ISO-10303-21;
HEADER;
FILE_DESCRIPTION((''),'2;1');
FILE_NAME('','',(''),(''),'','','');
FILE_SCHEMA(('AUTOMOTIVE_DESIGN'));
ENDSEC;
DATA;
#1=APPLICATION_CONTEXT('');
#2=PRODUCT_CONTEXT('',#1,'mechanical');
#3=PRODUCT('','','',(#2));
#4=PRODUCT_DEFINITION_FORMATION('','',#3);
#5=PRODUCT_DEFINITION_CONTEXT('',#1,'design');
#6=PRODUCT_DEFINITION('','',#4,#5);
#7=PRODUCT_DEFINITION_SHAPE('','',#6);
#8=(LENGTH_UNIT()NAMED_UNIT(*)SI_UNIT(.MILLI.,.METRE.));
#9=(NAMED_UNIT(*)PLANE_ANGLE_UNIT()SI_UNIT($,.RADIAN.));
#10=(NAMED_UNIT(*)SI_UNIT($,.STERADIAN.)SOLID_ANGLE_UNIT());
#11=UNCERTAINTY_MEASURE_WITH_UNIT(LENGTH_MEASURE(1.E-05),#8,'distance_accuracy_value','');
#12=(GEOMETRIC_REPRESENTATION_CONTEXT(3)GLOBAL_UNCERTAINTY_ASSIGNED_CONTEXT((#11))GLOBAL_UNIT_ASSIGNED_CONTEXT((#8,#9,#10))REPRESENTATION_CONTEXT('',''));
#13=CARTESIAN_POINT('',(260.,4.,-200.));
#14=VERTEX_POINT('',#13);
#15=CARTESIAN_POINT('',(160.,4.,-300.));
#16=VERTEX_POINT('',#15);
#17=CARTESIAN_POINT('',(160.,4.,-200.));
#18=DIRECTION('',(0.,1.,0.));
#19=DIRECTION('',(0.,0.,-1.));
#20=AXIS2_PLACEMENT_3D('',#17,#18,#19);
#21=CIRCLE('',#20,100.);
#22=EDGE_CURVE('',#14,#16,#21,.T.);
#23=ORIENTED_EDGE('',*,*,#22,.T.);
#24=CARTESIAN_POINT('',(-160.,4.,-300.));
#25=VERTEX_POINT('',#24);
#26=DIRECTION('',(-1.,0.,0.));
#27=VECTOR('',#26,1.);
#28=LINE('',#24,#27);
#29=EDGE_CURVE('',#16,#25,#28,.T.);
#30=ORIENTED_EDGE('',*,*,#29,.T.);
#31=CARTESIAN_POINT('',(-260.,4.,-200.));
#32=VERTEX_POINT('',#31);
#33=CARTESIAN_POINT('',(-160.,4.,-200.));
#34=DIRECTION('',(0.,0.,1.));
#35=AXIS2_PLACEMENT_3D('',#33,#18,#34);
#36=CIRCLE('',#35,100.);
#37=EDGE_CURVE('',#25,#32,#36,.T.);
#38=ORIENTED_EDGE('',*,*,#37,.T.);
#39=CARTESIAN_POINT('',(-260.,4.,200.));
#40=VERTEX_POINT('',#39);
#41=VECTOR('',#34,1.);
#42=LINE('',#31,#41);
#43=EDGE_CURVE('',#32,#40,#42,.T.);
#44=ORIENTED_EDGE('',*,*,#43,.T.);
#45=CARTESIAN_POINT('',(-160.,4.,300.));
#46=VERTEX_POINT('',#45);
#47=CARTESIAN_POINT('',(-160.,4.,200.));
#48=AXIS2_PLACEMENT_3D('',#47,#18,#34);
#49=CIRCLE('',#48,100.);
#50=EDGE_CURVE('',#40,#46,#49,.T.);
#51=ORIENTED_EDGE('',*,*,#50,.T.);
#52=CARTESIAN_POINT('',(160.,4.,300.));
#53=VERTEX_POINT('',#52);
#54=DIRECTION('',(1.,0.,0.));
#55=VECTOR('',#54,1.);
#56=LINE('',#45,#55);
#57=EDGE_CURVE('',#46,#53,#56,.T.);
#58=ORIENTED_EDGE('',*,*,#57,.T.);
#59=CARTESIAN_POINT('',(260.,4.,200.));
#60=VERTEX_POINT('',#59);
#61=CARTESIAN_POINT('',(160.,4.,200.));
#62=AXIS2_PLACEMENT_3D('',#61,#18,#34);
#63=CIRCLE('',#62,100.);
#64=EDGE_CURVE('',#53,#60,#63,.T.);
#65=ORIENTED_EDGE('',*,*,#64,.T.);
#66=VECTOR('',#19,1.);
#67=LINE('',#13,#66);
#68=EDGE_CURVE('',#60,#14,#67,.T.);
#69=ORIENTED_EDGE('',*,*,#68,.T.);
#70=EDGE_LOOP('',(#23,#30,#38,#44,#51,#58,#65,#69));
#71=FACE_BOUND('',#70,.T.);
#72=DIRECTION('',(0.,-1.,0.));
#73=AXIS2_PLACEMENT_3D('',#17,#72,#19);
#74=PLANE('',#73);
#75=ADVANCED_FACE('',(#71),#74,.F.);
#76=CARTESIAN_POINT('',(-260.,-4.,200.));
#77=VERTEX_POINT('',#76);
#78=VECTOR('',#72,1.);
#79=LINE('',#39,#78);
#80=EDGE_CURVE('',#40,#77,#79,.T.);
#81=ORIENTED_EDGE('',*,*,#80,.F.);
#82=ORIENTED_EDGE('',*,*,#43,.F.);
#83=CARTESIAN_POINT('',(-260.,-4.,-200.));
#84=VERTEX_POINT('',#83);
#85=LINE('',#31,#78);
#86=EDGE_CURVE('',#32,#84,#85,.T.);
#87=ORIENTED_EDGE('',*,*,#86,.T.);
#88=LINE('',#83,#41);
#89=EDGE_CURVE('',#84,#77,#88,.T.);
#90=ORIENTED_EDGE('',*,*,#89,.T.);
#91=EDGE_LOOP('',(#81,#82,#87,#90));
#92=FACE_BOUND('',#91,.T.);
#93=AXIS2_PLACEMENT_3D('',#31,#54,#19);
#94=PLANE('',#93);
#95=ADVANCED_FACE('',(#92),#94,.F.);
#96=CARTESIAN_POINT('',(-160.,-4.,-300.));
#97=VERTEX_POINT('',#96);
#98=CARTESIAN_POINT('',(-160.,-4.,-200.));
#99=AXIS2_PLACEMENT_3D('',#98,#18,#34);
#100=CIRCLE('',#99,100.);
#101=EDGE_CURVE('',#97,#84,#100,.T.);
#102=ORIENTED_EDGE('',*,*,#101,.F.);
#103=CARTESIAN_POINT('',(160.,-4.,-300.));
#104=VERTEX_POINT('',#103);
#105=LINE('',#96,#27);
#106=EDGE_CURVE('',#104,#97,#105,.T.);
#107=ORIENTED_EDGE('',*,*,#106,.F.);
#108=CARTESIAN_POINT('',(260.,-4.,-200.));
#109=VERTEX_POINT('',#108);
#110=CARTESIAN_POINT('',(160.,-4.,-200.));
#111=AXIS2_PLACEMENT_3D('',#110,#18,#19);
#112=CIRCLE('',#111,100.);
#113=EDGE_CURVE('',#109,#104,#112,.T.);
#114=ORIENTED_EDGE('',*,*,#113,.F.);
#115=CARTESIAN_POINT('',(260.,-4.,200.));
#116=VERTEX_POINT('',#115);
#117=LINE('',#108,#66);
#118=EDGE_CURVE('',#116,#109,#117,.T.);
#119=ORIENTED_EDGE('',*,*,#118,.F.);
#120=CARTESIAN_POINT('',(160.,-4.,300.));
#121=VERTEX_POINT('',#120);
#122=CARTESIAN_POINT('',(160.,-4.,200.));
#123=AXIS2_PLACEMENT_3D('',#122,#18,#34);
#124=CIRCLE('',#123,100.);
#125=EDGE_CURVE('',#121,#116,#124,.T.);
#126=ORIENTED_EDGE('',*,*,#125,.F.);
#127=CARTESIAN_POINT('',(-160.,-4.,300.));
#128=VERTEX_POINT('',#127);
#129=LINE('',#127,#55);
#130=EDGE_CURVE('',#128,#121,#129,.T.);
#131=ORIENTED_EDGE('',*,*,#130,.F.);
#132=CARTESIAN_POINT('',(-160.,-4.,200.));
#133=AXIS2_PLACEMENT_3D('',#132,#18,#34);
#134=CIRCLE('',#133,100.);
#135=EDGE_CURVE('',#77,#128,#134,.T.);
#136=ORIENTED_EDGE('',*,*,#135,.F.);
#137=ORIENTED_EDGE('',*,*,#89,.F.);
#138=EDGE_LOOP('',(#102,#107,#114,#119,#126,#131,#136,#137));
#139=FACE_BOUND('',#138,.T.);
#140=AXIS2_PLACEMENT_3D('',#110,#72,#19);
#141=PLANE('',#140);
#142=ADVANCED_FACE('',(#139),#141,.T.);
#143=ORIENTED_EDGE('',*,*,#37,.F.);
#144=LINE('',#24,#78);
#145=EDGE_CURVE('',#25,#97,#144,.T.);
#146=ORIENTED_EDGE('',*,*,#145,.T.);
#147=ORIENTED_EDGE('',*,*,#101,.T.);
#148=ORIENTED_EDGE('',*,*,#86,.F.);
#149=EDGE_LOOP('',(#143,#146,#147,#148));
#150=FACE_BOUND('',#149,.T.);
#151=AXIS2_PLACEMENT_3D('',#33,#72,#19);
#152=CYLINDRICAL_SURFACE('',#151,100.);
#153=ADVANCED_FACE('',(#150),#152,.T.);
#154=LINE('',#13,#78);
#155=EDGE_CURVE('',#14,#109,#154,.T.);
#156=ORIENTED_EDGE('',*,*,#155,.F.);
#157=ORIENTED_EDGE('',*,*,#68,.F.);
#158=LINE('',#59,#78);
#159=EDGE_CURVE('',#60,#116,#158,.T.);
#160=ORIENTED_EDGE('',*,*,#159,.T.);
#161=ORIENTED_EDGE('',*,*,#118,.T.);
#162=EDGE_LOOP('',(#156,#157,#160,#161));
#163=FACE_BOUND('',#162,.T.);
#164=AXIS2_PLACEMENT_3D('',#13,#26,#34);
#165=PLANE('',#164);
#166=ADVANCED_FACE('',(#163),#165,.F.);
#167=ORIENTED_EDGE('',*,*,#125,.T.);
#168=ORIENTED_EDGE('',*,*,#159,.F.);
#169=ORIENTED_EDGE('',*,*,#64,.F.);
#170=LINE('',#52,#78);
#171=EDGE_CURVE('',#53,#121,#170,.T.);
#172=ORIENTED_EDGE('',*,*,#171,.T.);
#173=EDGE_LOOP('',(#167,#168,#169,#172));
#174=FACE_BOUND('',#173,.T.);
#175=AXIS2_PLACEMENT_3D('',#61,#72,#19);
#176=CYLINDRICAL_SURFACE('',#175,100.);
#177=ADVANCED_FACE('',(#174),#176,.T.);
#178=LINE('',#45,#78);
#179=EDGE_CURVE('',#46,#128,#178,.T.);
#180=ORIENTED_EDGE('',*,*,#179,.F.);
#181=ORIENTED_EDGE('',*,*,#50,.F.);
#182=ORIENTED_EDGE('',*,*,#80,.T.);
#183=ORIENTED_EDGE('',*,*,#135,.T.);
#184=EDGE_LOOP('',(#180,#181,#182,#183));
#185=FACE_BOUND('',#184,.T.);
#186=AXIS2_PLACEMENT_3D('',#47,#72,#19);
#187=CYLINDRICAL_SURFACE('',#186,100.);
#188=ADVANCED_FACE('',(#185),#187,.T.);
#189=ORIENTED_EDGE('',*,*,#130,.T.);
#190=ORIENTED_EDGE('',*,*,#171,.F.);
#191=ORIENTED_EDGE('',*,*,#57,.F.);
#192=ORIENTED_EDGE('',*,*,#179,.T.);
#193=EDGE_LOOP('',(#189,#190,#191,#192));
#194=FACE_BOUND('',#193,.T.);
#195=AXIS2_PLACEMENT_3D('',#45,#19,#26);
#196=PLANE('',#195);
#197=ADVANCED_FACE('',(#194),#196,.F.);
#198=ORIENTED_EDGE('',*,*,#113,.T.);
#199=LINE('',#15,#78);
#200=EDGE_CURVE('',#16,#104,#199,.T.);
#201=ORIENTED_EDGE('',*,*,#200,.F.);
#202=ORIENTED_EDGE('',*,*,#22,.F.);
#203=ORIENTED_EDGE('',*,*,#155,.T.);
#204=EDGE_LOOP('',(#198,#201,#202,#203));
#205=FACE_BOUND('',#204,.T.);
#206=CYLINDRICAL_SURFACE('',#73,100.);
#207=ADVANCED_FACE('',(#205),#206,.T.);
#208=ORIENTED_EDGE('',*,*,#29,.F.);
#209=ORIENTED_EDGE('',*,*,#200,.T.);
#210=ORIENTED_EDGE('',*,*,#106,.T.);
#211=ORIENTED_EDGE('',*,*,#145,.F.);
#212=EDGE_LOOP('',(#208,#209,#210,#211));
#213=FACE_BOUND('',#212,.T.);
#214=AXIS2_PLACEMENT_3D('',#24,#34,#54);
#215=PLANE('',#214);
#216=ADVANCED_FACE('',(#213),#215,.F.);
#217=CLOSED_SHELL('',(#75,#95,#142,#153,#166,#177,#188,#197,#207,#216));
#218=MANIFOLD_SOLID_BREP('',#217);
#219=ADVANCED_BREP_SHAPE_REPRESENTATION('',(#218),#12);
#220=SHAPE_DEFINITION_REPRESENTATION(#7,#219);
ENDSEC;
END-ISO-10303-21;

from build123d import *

# Parameters (mm, degrees)
CHAPAINFERIOR_DEPTH = 4


with BuildPart() as part:
    # Chapa inferior → ChapaInferior (new, symmetric)
    with BuildSketch(Plane(origin=(0, 0, 0), x_dir=(1, 0, 0), z_dir=(0, 1, 0))):
        with BuildLine():
            Line((-160, 300), (160, 300))
            ThreePointArc((160, 300), (230.710678119, 270.710678119), (260, 200))
            Line((260, 200), (260, -200))
            ThreePointArc((260, -200), (230.710678119, -270.710678119), (160, -300))
            Line((160, -300), (-160, -300))
            ThreePointArc((-160, -300), (-230.710678119, -270.710678119), (-260, -200))
            Line((-260, -200), (-260, 200))
            ThreePointArc((-260, 200), (-230.710678119, 270.710678119), (-160, 300))
        make_face()
    extrude(amount=CHAPAINFERIOR_DEPTH, both=True)


solid = part.part
